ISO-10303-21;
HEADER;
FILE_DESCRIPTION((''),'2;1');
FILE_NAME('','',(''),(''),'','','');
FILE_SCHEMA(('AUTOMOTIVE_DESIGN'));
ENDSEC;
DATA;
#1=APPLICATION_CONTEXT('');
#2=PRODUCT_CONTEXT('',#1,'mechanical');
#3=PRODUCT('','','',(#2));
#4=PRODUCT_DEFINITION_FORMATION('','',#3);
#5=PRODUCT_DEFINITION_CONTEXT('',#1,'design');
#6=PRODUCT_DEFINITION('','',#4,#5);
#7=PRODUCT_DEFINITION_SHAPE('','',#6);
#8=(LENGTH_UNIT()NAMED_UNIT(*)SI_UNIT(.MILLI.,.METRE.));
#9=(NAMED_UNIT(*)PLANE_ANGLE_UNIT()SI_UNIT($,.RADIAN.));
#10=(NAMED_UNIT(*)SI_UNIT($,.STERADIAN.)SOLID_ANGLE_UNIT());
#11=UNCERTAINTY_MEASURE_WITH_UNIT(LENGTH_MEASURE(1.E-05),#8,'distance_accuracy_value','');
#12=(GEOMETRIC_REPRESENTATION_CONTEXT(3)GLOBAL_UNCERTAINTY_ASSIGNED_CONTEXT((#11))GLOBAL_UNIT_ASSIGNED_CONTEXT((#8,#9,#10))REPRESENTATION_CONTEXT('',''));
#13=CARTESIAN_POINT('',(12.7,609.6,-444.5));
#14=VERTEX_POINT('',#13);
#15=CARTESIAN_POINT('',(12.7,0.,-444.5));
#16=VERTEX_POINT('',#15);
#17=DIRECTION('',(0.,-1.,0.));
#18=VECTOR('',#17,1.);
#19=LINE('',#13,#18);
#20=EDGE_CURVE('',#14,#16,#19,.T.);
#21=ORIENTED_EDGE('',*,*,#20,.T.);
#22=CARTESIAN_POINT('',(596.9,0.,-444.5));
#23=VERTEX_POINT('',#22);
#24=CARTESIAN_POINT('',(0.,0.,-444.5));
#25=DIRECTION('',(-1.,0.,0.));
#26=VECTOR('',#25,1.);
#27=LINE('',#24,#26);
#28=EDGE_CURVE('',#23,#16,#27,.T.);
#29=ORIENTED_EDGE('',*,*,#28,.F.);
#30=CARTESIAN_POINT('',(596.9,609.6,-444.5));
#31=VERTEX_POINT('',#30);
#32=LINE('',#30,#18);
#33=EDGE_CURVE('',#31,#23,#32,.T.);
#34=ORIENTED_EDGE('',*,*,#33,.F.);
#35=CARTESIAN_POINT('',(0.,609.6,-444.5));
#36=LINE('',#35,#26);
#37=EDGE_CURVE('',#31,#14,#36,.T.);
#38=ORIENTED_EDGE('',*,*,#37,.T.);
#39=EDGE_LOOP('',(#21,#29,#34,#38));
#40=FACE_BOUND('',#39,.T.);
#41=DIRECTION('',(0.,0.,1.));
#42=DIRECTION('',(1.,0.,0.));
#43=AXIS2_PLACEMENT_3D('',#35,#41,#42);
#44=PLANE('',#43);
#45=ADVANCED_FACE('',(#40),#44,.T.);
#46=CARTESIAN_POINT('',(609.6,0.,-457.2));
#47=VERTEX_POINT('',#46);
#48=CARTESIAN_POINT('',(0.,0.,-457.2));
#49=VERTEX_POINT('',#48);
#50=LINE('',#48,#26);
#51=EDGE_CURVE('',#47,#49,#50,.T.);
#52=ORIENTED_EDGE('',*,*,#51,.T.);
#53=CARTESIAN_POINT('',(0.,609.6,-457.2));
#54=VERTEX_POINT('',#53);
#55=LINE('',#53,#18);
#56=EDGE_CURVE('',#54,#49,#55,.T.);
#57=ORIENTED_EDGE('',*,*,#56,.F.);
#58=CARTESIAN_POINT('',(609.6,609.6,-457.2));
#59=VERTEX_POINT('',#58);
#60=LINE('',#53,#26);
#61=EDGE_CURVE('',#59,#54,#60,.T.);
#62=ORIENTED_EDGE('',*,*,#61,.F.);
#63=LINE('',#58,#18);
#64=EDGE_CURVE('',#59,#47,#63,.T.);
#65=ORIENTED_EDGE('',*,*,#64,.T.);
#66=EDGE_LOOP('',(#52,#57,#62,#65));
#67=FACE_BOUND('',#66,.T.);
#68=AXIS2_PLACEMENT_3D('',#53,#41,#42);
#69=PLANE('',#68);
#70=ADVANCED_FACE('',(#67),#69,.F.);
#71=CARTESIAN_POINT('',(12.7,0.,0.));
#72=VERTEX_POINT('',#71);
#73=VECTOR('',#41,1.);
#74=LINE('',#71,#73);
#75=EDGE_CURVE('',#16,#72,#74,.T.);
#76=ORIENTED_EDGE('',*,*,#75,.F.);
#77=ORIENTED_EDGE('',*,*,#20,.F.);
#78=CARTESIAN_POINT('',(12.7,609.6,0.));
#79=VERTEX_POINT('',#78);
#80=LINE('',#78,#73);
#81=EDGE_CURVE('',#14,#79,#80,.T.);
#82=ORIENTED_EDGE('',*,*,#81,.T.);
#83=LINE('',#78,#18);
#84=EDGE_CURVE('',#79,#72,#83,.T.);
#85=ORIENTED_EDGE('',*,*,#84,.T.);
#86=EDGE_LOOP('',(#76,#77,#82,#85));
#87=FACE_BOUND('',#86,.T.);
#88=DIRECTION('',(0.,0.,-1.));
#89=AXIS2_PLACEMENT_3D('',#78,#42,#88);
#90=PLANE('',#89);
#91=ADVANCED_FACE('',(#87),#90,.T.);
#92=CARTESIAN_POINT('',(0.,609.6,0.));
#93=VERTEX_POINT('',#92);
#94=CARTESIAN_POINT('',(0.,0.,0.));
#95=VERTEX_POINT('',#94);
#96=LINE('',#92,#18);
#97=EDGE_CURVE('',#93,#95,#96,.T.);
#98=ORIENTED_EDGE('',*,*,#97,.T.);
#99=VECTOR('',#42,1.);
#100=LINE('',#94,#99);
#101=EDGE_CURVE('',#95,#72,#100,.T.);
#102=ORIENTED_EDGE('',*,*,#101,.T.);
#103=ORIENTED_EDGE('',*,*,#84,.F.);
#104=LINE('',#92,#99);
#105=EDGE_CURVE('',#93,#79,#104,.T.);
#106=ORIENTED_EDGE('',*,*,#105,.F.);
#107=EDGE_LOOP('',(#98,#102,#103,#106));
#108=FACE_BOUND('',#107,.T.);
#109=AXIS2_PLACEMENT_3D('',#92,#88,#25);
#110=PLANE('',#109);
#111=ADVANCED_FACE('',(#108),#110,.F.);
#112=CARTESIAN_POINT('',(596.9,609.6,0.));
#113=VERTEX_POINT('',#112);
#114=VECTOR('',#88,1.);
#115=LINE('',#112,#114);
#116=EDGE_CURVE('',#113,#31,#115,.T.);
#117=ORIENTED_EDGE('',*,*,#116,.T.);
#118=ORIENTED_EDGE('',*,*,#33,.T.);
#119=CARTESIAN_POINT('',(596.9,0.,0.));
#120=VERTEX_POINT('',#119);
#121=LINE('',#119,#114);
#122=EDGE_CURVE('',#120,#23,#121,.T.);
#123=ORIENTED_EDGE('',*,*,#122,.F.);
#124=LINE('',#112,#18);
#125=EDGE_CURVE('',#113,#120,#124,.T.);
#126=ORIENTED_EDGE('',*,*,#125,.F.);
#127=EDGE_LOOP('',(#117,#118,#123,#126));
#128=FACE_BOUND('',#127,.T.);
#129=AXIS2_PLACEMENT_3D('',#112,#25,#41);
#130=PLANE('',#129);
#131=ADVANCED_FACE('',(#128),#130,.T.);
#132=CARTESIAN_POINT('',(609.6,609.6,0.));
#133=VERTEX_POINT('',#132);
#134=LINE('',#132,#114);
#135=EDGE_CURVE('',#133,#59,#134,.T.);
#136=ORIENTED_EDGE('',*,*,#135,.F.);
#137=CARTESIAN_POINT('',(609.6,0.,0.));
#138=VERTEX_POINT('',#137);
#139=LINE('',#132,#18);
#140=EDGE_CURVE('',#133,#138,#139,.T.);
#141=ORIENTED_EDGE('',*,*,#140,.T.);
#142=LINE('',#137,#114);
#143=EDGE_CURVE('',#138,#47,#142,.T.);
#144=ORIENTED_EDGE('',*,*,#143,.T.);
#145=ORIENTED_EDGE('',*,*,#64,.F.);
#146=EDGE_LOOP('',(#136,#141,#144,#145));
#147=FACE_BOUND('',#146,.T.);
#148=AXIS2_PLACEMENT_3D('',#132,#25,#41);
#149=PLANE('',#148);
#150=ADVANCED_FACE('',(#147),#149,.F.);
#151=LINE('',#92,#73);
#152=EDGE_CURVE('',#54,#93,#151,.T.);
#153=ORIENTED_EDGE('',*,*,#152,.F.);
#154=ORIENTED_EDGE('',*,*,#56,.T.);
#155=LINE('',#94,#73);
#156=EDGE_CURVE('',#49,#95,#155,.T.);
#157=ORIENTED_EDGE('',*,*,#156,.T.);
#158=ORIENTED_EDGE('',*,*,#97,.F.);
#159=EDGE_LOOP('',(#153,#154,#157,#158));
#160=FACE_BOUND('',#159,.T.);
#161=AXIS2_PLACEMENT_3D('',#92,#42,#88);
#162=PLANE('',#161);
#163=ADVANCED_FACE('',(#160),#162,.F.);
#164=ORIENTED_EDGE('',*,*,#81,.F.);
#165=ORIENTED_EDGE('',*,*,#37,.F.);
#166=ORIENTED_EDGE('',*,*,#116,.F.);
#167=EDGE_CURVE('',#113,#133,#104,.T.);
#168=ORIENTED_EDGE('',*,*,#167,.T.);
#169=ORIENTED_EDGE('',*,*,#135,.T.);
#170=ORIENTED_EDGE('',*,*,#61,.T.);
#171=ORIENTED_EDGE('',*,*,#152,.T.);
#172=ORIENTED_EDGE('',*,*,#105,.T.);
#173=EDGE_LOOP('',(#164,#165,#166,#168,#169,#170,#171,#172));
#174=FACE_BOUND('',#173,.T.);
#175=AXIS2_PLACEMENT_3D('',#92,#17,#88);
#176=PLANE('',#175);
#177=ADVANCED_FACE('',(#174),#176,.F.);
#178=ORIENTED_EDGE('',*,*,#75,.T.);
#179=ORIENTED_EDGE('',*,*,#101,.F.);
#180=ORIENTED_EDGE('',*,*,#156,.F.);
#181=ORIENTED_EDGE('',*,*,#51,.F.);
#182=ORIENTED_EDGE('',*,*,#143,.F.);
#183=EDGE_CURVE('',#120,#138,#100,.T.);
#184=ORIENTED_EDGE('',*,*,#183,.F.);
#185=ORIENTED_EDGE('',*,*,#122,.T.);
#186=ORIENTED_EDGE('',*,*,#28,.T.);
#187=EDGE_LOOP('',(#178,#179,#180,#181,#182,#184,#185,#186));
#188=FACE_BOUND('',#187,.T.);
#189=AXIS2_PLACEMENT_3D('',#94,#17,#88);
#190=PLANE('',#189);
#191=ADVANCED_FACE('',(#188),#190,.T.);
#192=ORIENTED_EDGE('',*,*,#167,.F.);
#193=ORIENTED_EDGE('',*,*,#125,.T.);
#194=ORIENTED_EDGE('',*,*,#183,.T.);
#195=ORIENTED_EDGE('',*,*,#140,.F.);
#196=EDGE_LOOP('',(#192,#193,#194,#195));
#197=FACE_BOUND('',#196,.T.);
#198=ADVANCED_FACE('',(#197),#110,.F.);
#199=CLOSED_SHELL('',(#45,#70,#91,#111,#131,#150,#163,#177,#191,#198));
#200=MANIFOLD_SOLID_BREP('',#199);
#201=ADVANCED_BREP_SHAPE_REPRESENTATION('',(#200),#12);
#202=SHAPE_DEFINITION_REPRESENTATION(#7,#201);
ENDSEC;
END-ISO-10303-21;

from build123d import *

# Parameters (mm, degrees)
SKETCH1_W           = 609.6
SKETCH1_H           = 457.2
BOSS_EXTRUDE1_DEPTH = 609.6
SHELL1_T            = -12.7


with BuildPart() as part:
    # Sketch1 → Boss-Extrude1 (new body)
    with BuildSketch(Plane(origin=(0, 0, 0), x_dir=(1, 0, 0), z_dir=(0, 1, 0))):
        with Locations((304.8, 228.6)):
            Rectangle(SKETCH1_W, SKETCH1_H)
    extrude(amount=BOSS_EXTRUDE1_DEPTH)

    # Shell1
    shell1_openings = [part.faces().sort_by_distance(p)[0] for p in [
        (304.8, 609.6, -228.6),
        (304.8, 0, -228.6),
        (304.8, 304.8, 0),
    ]]
    offset(amount=SHELL1_T, openings=shell1_openings, kind=Kind.INTERSECTION)


solid = part.part
